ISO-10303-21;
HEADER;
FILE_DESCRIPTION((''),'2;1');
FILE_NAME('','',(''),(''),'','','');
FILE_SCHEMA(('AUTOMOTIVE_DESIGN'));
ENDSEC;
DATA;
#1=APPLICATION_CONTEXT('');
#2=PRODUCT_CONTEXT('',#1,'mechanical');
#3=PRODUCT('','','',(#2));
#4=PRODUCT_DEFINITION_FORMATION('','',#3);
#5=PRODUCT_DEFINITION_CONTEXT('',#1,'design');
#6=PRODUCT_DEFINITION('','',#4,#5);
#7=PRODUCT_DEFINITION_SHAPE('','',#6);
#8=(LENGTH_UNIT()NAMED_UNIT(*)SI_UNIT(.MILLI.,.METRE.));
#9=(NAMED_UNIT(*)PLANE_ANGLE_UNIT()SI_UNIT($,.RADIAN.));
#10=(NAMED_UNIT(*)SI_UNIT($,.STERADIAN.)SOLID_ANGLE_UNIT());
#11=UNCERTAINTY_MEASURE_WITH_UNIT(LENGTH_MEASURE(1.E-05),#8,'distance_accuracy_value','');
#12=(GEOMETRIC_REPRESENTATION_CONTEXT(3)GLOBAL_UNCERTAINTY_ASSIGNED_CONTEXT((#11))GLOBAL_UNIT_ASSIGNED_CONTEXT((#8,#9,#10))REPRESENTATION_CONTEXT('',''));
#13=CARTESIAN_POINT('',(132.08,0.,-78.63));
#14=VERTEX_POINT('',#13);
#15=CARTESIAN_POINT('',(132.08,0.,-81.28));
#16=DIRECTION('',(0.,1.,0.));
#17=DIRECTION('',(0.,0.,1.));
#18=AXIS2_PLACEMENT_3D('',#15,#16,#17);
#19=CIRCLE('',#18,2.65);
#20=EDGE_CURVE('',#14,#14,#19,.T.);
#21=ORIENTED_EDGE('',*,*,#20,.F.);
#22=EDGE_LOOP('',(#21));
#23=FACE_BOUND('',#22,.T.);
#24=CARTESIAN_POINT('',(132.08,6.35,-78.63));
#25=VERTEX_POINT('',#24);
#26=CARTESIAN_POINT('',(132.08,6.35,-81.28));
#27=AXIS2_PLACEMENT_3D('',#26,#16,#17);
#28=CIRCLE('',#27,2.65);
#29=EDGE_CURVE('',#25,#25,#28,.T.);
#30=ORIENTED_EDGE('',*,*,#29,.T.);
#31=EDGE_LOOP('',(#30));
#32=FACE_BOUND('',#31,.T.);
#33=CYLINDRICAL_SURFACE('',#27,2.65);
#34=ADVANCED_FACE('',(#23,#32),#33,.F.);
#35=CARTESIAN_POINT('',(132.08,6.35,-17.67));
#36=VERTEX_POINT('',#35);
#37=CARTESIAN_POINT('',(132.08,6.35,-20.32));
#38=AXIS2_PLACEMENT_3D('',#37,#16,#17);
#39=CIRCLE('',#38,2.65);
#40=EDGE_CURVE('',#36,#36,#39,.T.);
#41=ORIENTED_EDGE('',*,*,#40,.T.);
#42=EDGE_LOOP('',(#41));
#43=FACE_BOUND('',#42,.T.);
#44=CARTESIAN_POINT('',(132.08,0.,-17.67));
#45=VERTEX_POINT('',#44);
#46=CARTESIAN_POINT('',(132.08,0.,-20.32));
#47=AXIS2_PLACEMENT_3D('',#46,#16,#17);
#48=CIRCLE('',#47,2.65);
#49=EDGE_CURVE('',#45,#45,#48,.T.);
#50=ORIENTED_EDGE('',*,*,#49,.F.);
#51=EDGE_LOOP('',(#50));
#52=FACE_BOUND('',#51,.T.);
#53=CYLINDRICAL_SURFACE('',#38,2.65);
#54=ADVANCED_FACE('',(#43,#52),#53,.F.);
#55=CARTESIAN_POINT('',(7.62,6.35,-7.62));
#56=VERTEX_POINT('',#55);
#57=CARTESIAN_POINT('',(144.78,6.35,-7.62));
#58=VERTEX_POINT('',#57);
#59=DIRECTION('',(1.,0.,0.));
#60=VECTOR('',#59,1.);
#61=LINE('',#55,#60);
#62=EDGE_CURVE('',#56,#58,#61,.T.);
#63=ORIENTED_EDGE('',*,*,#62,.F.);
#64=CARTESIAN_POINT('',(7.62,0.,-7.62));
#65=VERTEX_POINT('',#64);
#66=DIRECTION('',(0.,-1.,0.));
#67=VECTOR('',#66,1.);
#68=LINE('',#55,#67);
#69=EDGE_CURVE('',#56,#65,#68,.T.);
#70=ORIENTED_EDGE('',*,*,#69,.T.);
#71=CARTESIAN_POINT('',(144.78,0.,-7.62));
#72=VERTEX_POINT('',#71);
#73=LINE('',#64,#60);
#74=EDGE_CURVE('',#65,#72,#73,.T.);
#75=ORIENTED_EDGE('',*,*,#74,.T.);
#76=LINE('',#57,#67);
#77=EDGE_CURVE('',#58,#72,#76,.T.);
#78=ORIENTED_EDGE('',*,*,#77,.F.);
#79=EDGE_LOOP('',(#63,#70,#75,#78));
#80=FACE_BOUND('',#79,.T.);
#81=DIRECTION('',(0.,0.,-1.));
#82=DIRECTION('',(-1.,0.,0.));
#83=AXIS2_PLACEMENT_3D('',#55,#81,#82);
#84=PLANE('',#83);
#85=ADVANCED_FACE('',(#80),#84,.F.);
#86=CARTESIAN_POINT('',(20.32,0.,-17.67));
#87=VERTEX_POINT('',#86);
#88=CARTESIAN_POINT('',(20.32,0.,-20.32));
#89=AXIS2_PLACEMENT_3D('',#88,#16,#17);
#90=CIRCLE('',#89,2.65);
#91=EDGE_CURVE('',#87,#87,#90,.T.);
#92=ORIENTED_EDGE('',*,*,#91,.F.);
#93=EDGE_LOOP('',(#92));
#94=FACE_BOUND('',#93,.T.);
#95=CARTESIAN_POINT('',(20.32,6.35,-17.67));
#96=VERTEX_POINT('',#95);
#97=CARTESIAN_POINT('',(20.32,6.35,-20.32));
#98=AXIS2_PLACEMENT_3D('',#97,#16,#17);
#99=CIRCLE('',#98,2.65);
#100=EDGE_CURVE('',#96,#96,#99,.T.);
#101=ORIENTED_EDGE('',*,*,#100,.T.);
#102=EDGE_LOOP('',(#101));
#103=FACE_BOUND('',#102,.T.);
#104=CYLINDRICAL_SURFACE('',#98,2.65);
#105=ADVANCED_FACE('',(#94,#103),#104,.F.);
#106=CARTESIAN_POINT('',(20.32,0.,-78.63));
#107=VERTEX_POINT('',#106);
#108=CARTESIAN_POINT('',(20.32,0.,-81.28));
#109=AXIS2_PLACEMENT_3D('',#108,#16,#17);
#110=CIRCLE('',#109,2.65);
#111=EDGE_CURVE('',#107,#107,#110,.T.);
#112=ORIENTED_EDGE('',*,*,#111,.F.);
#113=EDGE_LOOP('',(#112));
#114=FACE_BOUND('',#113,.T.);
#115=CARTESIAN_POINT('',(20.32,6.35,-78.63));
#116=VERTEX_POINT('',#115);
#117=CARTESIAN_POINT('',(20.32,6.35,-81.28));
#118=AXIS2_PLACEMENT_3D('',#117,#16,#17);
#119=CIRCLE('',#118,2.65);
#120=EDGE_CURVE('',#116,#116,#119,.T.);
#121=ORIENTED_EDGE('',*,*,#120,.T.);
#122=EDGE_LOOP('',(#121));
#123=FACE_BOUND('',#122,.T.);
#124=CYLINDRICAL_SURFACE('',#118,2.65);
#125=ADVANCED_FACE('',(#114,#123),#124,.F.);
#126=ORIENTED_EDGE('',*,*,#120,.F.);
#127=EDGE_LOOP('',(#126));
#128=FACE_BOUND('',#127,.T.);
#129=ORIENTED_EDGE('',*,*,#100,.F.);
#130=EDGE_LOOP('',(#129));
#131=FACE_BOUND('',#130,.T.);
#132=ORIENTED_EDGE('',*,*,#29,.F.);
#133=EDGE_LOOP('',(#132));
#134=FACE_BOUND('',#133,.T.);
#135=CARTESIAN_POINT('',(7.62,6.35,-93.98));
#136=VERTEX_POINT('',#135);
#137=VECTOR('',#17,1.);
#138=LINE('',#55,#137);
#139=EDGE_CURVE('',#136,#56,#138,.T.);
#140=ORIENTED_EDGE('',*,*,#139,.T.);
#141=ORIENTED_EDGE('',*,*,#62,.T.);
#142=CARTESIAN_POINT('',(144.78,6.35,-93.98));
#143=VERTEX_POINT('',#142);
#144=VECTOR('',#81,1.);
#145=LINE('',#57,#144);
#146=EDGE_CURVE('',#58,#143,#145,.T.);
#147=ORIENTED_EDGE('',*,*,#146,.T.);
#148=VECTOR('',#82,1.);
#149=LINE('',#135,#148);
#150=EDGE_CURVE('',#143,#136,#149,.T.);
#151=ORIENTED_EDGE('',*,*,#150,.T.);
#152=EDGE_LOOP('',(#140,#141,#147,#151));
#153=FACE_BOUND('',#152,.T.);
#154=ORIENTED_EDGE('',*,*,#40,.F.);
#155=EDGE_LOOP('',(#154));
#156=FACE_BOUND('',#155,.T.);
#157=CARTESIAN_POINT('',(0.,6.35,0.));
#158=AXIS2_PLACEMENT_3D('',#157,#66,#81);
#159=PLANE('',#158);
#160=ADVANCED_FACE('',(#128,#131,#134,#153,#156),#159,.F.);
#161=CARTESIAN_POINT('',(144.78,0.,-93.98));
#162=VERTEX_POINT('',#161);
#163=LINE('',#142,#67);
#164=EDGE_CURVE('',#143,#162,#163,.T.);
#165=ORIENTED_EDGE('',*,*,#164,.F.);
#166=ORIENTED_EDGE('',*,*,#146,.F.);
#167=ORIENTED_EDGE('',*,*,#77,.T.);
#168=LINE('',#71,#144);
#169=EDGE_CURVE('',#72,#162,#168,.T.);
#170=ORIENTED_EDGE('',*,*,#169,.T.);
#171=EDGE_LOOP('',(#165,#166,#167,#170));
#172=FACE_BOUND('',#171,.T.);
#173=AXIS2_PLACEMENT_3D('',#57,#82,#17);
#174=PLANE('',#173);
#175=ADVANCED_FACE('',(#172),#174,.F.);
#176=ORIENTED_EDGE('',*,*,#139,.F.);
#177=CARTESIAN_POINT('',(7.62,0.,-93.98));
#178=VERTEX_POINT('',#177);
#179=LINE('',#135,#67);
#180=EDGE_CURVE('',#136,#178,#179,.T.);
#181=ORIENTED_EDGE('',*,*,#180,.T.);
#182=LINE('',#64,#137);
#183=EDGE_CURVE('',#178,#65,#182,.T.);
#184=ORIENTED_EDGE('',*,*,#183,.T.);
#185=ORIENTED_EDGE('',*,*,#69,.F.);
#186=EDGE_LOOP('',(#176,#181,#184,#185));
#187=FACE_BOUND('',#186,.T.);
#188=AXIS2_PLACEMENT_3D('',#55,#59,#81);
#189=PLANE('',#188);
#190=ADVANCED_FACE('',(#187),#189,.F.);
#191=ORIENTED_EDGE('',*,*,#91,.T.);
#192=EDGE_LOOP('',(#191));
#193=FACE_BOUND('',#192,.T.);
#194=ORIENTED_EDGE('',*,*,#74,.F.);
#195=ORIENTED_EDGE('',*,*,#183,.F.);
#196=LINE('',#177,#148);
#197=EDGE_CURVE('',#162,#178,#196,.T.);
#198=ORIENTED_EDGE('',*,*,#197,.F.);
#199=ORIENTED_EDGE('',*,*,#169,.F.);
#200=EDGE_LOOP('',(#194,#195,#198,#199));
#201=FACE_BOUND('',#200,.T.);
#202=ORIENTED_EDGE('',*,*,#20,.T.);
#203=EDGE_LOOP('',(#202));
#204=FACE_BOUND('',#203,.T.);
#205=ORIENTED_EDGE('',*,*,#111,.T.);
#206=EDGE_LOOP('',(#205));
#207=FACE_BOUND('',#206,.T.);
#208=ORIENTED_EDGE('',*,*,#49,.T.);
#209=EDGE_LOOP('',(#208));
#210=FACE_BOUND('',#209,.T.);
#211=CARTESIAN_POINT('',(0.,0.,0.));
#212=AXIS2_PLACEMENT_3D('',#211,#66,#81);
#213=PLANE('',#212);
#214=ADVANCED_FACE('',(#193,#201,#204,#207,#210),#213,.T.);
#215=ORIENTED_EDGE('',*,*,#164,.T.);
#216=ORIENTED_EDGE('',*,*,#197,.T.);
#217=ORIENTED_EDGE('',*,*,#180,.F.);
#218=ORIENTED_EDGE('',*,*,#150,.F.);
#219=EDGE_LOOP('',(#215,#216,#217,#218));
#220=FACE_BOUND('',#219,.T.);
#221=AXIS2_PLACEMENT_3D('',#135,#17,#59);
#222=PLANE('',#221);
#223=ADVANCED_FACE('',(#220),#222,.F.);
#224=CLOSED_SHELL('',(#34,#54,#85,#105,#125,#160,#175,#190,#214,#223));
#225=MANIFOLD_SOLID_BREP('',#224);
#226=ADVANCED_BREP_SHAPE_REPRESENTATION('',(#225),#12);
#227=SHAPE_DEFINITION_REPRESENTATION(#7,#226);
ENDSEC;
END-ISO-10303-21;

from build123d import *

# Parameters (mm, degrees)
SKETCH1_W            = 137.16
SKETCH1_H            = 86.36
BOSS_EXTRUDE1_DEPTH  = 6.35
M5_CLEARANCE_HOLE1_D = 5.3


with BuildPart() as part:
    # Sketch1 → Boss-Extrude1 (new body)
    with BuildSketch(Plane(origin=(0, 0, 0), x_dir=(1, 0, 0), z_dir=(0, 1, 0))):
        with Locations((76.2, 50.8)):
            Rectangle(SKETCH1_W, SKETCH1_H)
    extrude(amount=BOSS_EXTRUDE1_DEPTH)

    # M5 Clearance Hole1 (through all)
    with Locations(Plane(origin=(0, 6.35, 0), x_dir=(1, 0, 0), z_dir=(0, 1, 0))):
        with Locations((20.32, 81.28), (132.08, 81.28), (132.08, 20.32), (20.32, 20.32)):
            Hole(M5_CLEARANCE_HOLE1_D / 2)


solid = part.part
